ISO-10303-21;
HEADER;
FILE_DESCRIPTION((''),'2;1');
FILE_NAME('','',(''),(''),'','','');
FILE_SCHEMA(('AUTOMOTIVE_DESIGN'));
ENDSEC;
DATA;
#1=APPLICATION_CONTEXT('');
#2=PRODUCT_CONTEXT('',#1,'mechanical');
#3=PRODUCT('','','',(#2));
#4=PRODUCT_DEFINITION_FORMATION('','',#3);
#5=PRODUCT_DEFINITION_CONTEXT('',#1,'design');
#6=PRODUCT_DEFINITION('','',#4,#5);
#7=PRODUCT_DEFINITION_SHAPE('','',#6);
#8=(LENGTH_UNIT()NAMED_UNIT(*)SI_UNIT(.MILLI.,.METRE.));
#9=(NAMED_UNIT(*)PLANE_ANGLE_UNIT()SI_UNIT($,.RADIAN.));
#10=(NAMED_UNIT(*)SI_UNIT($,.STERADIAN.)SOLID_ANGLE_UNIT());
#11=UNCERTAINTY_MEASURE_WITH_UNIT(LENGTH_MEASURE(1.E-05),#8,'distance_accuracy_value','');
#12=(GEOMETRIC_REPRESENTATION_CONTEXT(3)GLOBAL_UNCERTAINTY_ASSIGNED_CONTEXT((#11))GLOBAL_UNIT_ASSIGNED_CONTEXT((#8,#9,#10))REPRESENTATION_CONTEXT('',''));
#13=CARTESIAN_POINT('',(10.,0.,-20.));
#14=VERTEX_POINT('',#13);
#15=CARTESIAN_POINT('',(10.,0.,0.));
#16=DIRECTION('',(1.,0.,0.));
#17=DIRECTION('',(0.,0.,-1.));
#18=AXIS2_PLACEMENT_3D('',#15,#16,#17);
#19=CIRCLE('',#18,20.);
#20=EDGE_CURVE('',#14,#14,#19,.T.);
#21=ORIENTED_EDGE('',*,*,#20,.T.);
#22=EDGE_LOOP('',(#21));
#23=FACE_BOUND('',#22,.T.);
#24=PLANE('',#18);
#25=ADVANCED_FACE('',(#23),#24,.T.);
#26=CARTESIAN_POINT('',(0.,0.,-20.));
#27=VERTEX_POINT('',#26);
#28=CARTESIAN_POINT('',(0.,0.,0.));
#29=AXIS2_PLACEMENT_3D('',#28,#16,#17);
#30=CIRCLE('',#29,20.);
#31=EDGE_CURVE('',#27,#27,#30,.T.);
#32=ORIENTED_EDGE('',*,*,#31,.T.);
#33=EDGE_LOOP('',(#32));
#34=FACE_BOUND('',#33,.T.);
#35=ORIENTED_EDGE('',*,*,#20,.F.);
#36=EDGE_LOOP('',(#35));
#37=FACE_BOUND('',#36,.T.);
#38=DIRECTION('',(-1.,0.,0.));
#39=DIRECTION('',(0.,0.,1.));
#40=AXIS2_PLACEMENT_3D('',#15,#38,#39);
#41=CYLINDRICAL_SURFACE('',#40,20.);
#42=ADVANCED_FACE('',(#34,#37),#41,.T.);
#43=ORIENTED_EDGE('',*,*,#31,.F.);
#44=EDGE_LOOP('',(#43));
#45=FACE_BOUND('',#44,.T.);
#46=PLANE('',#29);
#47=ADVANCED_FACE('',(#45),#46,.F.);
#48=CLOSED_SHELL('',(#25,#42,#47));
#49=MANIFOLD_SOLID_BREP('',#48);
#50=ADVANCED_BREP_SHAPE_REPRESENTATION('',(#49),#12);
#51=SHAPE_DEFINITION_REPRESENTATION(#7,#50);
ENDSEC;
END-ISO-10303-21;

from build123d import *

# Parameters (mm, degrees)
SKETCH2_R           = 20
BOSS_EXTRUDE1_DEPTH = 10


with BuildPart() as part:
    # Sketch2 → Boss-Extrude1 (new body)
    with BuildSketch(Plane(origin=(0, 0, 0), x_dir=(0, 0, -1), z_dir=(1, 0, 0))):
        Circle(SKETCH2_R)
    extrude(amount=BOSS_EXTRUDE1_DEPTH)


solid = part.part
